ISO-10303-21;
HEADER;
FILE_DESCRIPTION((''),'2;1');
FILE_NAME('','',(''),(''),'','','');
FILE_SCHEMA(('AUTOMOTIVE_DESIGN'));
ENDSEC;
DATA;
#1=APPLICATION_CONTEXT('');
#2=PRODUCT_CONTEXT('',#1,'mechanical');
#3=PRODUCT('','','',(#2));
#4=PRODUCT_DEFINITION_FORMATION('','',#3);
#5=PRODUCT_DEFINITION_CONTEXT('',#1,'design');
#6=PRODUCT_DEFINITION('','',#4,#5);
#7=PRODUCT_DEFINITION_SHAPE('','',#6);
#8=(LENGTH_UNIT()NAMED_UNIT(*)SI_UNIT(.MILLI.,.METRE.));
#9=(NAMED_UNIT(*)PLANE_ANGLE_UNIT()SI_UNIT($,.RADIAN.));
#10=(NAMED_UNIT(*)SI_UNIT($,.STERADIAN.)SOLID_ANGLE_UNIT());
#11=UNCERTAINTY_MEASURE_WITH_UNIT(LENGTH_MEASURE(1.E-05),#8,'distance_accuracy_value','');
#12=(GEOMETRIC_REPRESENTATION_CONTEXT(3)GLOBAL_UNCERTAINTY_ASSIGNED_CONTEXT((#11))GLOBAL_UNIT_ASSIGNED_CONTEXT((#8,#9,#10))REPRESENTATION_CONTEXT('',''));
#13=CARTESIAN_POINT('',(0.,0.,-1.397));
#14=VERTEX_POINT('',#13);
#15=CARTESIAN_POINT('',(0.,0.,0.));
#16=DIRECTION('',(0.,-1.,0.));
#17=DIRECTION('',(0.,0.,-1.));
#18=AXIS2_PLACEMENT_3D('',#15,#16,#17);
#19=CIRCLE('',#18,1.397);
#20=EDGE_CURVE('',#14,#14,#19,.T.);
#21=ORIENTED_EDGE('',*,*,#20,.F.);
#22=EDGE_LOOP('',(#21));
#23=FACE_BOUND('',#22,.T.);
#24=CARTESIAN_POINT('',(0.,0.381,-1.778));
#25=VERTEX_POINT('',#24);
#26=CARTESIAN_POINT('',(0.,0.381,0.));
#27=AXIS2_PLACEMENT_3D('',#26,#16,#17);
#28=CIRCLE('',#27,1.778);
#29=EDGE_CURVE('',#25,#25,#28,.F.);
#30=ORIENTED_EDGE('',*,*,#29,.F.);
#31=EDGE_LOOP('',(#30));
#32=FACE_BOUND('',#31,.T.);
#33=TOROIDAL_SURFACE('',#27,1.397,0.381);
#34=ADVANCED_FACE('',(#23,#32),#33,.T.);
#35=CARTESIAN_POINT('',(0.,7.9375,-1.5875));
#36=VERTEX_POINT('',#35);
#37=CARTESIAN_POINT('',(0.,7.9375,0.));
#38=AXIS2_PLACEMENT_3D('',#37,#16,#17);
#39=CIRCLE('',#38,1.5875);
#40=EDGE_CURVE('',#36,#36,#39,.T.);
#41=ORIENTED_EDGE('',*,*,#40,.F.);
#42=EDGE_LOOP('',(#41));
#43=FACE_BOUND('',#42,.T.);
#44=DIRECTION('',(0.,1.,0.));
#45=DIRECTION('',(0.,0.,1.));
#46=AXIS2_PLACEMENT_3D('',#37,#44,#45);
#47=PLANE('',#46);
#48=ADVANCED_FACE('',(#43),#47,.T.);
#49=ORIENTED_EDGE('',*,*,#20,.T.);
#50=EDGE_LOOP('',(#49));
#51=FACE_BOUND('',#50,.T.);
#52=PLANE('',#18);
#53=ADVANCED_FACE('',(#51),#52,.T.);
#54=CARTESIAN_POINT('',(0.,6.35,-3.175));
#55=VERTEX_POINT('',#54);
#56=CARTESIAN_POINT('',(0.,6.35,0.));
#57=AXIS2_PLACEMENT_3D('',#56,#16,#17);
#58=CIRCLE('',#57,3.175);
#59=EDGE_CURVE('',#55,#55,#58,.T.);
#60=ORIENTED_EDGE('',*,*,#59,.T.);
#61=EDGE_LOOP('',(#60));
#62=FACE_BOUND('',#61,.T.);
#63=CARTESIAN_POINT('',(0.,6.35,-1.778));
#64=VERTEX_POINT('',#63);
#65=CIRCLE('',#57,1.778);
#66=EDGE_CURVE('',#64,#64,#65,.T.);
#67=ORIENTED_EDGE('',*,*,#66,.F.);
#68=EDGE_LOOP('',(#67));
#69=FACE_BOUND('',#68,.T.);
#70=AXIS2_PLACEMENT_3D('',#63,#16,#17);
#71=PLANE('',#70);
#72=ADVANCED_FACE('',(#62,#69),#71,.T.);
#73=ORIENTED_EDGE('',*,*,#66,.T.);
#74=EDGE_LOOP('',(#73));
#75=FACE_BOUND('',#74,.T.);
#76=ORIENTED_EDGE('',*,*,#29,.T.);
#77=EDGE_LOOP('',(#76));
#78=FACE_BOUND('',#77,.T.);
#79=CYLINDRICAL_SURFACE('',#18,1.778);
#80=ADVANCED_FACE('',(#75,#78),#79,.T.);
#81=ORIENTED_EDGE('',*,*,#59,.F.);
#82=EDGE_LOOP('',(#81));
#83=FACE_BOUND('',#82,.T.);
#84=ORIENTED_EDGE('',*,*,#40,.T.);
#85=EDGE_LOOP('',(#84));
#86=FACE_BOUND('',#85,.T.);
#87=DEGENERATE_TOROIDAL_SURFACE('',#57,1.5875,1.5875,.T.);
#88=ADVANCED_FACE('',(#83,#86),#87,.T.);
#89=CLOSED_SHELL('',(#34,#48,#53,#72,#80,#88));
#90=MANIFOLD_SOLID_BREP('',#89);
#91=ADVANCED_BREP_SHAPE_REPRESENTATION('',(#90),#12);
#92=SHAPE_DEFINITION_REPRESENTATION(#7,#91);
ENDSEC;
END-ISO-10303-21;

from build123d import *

# Parameters (mm, degrees)
FILLET1_R = 0.381


with BuildPart() as part:
    # Sketch1 → Revolve1 (revolve)
    with BuildSketch(Plane(origin=(0, 0, 0), x_dir=(0, 0, -1), z_dir=(1, 0, 0))):
        with BuildLine():
            Line((0, 0), (1.778, 0))
            Line((1.778, 0), (1.778, 6.35))
            Line((1.778, 6.35), (3.175, 6.35))
            ThreePointArc((3.175, 6.35), (2.710032015, 7.472532015), (1.5875, 7.9375))
            Line((1.5875, 7.9375), (0, 7.9375))
            Line((0, 7.9375), (0, 0))
        make_face()
    revolve(axis=Axis((0, 0, 0), (0, 1, 0)))

    # Fillet1
    fillet1_edges = [part.edges().sort_by_distance(p)[0] for p in [
        (0, 0, 1.778),
    ]]
    fillet(fillet1_edges, radius=FILLET1_R)


solid = part.part
